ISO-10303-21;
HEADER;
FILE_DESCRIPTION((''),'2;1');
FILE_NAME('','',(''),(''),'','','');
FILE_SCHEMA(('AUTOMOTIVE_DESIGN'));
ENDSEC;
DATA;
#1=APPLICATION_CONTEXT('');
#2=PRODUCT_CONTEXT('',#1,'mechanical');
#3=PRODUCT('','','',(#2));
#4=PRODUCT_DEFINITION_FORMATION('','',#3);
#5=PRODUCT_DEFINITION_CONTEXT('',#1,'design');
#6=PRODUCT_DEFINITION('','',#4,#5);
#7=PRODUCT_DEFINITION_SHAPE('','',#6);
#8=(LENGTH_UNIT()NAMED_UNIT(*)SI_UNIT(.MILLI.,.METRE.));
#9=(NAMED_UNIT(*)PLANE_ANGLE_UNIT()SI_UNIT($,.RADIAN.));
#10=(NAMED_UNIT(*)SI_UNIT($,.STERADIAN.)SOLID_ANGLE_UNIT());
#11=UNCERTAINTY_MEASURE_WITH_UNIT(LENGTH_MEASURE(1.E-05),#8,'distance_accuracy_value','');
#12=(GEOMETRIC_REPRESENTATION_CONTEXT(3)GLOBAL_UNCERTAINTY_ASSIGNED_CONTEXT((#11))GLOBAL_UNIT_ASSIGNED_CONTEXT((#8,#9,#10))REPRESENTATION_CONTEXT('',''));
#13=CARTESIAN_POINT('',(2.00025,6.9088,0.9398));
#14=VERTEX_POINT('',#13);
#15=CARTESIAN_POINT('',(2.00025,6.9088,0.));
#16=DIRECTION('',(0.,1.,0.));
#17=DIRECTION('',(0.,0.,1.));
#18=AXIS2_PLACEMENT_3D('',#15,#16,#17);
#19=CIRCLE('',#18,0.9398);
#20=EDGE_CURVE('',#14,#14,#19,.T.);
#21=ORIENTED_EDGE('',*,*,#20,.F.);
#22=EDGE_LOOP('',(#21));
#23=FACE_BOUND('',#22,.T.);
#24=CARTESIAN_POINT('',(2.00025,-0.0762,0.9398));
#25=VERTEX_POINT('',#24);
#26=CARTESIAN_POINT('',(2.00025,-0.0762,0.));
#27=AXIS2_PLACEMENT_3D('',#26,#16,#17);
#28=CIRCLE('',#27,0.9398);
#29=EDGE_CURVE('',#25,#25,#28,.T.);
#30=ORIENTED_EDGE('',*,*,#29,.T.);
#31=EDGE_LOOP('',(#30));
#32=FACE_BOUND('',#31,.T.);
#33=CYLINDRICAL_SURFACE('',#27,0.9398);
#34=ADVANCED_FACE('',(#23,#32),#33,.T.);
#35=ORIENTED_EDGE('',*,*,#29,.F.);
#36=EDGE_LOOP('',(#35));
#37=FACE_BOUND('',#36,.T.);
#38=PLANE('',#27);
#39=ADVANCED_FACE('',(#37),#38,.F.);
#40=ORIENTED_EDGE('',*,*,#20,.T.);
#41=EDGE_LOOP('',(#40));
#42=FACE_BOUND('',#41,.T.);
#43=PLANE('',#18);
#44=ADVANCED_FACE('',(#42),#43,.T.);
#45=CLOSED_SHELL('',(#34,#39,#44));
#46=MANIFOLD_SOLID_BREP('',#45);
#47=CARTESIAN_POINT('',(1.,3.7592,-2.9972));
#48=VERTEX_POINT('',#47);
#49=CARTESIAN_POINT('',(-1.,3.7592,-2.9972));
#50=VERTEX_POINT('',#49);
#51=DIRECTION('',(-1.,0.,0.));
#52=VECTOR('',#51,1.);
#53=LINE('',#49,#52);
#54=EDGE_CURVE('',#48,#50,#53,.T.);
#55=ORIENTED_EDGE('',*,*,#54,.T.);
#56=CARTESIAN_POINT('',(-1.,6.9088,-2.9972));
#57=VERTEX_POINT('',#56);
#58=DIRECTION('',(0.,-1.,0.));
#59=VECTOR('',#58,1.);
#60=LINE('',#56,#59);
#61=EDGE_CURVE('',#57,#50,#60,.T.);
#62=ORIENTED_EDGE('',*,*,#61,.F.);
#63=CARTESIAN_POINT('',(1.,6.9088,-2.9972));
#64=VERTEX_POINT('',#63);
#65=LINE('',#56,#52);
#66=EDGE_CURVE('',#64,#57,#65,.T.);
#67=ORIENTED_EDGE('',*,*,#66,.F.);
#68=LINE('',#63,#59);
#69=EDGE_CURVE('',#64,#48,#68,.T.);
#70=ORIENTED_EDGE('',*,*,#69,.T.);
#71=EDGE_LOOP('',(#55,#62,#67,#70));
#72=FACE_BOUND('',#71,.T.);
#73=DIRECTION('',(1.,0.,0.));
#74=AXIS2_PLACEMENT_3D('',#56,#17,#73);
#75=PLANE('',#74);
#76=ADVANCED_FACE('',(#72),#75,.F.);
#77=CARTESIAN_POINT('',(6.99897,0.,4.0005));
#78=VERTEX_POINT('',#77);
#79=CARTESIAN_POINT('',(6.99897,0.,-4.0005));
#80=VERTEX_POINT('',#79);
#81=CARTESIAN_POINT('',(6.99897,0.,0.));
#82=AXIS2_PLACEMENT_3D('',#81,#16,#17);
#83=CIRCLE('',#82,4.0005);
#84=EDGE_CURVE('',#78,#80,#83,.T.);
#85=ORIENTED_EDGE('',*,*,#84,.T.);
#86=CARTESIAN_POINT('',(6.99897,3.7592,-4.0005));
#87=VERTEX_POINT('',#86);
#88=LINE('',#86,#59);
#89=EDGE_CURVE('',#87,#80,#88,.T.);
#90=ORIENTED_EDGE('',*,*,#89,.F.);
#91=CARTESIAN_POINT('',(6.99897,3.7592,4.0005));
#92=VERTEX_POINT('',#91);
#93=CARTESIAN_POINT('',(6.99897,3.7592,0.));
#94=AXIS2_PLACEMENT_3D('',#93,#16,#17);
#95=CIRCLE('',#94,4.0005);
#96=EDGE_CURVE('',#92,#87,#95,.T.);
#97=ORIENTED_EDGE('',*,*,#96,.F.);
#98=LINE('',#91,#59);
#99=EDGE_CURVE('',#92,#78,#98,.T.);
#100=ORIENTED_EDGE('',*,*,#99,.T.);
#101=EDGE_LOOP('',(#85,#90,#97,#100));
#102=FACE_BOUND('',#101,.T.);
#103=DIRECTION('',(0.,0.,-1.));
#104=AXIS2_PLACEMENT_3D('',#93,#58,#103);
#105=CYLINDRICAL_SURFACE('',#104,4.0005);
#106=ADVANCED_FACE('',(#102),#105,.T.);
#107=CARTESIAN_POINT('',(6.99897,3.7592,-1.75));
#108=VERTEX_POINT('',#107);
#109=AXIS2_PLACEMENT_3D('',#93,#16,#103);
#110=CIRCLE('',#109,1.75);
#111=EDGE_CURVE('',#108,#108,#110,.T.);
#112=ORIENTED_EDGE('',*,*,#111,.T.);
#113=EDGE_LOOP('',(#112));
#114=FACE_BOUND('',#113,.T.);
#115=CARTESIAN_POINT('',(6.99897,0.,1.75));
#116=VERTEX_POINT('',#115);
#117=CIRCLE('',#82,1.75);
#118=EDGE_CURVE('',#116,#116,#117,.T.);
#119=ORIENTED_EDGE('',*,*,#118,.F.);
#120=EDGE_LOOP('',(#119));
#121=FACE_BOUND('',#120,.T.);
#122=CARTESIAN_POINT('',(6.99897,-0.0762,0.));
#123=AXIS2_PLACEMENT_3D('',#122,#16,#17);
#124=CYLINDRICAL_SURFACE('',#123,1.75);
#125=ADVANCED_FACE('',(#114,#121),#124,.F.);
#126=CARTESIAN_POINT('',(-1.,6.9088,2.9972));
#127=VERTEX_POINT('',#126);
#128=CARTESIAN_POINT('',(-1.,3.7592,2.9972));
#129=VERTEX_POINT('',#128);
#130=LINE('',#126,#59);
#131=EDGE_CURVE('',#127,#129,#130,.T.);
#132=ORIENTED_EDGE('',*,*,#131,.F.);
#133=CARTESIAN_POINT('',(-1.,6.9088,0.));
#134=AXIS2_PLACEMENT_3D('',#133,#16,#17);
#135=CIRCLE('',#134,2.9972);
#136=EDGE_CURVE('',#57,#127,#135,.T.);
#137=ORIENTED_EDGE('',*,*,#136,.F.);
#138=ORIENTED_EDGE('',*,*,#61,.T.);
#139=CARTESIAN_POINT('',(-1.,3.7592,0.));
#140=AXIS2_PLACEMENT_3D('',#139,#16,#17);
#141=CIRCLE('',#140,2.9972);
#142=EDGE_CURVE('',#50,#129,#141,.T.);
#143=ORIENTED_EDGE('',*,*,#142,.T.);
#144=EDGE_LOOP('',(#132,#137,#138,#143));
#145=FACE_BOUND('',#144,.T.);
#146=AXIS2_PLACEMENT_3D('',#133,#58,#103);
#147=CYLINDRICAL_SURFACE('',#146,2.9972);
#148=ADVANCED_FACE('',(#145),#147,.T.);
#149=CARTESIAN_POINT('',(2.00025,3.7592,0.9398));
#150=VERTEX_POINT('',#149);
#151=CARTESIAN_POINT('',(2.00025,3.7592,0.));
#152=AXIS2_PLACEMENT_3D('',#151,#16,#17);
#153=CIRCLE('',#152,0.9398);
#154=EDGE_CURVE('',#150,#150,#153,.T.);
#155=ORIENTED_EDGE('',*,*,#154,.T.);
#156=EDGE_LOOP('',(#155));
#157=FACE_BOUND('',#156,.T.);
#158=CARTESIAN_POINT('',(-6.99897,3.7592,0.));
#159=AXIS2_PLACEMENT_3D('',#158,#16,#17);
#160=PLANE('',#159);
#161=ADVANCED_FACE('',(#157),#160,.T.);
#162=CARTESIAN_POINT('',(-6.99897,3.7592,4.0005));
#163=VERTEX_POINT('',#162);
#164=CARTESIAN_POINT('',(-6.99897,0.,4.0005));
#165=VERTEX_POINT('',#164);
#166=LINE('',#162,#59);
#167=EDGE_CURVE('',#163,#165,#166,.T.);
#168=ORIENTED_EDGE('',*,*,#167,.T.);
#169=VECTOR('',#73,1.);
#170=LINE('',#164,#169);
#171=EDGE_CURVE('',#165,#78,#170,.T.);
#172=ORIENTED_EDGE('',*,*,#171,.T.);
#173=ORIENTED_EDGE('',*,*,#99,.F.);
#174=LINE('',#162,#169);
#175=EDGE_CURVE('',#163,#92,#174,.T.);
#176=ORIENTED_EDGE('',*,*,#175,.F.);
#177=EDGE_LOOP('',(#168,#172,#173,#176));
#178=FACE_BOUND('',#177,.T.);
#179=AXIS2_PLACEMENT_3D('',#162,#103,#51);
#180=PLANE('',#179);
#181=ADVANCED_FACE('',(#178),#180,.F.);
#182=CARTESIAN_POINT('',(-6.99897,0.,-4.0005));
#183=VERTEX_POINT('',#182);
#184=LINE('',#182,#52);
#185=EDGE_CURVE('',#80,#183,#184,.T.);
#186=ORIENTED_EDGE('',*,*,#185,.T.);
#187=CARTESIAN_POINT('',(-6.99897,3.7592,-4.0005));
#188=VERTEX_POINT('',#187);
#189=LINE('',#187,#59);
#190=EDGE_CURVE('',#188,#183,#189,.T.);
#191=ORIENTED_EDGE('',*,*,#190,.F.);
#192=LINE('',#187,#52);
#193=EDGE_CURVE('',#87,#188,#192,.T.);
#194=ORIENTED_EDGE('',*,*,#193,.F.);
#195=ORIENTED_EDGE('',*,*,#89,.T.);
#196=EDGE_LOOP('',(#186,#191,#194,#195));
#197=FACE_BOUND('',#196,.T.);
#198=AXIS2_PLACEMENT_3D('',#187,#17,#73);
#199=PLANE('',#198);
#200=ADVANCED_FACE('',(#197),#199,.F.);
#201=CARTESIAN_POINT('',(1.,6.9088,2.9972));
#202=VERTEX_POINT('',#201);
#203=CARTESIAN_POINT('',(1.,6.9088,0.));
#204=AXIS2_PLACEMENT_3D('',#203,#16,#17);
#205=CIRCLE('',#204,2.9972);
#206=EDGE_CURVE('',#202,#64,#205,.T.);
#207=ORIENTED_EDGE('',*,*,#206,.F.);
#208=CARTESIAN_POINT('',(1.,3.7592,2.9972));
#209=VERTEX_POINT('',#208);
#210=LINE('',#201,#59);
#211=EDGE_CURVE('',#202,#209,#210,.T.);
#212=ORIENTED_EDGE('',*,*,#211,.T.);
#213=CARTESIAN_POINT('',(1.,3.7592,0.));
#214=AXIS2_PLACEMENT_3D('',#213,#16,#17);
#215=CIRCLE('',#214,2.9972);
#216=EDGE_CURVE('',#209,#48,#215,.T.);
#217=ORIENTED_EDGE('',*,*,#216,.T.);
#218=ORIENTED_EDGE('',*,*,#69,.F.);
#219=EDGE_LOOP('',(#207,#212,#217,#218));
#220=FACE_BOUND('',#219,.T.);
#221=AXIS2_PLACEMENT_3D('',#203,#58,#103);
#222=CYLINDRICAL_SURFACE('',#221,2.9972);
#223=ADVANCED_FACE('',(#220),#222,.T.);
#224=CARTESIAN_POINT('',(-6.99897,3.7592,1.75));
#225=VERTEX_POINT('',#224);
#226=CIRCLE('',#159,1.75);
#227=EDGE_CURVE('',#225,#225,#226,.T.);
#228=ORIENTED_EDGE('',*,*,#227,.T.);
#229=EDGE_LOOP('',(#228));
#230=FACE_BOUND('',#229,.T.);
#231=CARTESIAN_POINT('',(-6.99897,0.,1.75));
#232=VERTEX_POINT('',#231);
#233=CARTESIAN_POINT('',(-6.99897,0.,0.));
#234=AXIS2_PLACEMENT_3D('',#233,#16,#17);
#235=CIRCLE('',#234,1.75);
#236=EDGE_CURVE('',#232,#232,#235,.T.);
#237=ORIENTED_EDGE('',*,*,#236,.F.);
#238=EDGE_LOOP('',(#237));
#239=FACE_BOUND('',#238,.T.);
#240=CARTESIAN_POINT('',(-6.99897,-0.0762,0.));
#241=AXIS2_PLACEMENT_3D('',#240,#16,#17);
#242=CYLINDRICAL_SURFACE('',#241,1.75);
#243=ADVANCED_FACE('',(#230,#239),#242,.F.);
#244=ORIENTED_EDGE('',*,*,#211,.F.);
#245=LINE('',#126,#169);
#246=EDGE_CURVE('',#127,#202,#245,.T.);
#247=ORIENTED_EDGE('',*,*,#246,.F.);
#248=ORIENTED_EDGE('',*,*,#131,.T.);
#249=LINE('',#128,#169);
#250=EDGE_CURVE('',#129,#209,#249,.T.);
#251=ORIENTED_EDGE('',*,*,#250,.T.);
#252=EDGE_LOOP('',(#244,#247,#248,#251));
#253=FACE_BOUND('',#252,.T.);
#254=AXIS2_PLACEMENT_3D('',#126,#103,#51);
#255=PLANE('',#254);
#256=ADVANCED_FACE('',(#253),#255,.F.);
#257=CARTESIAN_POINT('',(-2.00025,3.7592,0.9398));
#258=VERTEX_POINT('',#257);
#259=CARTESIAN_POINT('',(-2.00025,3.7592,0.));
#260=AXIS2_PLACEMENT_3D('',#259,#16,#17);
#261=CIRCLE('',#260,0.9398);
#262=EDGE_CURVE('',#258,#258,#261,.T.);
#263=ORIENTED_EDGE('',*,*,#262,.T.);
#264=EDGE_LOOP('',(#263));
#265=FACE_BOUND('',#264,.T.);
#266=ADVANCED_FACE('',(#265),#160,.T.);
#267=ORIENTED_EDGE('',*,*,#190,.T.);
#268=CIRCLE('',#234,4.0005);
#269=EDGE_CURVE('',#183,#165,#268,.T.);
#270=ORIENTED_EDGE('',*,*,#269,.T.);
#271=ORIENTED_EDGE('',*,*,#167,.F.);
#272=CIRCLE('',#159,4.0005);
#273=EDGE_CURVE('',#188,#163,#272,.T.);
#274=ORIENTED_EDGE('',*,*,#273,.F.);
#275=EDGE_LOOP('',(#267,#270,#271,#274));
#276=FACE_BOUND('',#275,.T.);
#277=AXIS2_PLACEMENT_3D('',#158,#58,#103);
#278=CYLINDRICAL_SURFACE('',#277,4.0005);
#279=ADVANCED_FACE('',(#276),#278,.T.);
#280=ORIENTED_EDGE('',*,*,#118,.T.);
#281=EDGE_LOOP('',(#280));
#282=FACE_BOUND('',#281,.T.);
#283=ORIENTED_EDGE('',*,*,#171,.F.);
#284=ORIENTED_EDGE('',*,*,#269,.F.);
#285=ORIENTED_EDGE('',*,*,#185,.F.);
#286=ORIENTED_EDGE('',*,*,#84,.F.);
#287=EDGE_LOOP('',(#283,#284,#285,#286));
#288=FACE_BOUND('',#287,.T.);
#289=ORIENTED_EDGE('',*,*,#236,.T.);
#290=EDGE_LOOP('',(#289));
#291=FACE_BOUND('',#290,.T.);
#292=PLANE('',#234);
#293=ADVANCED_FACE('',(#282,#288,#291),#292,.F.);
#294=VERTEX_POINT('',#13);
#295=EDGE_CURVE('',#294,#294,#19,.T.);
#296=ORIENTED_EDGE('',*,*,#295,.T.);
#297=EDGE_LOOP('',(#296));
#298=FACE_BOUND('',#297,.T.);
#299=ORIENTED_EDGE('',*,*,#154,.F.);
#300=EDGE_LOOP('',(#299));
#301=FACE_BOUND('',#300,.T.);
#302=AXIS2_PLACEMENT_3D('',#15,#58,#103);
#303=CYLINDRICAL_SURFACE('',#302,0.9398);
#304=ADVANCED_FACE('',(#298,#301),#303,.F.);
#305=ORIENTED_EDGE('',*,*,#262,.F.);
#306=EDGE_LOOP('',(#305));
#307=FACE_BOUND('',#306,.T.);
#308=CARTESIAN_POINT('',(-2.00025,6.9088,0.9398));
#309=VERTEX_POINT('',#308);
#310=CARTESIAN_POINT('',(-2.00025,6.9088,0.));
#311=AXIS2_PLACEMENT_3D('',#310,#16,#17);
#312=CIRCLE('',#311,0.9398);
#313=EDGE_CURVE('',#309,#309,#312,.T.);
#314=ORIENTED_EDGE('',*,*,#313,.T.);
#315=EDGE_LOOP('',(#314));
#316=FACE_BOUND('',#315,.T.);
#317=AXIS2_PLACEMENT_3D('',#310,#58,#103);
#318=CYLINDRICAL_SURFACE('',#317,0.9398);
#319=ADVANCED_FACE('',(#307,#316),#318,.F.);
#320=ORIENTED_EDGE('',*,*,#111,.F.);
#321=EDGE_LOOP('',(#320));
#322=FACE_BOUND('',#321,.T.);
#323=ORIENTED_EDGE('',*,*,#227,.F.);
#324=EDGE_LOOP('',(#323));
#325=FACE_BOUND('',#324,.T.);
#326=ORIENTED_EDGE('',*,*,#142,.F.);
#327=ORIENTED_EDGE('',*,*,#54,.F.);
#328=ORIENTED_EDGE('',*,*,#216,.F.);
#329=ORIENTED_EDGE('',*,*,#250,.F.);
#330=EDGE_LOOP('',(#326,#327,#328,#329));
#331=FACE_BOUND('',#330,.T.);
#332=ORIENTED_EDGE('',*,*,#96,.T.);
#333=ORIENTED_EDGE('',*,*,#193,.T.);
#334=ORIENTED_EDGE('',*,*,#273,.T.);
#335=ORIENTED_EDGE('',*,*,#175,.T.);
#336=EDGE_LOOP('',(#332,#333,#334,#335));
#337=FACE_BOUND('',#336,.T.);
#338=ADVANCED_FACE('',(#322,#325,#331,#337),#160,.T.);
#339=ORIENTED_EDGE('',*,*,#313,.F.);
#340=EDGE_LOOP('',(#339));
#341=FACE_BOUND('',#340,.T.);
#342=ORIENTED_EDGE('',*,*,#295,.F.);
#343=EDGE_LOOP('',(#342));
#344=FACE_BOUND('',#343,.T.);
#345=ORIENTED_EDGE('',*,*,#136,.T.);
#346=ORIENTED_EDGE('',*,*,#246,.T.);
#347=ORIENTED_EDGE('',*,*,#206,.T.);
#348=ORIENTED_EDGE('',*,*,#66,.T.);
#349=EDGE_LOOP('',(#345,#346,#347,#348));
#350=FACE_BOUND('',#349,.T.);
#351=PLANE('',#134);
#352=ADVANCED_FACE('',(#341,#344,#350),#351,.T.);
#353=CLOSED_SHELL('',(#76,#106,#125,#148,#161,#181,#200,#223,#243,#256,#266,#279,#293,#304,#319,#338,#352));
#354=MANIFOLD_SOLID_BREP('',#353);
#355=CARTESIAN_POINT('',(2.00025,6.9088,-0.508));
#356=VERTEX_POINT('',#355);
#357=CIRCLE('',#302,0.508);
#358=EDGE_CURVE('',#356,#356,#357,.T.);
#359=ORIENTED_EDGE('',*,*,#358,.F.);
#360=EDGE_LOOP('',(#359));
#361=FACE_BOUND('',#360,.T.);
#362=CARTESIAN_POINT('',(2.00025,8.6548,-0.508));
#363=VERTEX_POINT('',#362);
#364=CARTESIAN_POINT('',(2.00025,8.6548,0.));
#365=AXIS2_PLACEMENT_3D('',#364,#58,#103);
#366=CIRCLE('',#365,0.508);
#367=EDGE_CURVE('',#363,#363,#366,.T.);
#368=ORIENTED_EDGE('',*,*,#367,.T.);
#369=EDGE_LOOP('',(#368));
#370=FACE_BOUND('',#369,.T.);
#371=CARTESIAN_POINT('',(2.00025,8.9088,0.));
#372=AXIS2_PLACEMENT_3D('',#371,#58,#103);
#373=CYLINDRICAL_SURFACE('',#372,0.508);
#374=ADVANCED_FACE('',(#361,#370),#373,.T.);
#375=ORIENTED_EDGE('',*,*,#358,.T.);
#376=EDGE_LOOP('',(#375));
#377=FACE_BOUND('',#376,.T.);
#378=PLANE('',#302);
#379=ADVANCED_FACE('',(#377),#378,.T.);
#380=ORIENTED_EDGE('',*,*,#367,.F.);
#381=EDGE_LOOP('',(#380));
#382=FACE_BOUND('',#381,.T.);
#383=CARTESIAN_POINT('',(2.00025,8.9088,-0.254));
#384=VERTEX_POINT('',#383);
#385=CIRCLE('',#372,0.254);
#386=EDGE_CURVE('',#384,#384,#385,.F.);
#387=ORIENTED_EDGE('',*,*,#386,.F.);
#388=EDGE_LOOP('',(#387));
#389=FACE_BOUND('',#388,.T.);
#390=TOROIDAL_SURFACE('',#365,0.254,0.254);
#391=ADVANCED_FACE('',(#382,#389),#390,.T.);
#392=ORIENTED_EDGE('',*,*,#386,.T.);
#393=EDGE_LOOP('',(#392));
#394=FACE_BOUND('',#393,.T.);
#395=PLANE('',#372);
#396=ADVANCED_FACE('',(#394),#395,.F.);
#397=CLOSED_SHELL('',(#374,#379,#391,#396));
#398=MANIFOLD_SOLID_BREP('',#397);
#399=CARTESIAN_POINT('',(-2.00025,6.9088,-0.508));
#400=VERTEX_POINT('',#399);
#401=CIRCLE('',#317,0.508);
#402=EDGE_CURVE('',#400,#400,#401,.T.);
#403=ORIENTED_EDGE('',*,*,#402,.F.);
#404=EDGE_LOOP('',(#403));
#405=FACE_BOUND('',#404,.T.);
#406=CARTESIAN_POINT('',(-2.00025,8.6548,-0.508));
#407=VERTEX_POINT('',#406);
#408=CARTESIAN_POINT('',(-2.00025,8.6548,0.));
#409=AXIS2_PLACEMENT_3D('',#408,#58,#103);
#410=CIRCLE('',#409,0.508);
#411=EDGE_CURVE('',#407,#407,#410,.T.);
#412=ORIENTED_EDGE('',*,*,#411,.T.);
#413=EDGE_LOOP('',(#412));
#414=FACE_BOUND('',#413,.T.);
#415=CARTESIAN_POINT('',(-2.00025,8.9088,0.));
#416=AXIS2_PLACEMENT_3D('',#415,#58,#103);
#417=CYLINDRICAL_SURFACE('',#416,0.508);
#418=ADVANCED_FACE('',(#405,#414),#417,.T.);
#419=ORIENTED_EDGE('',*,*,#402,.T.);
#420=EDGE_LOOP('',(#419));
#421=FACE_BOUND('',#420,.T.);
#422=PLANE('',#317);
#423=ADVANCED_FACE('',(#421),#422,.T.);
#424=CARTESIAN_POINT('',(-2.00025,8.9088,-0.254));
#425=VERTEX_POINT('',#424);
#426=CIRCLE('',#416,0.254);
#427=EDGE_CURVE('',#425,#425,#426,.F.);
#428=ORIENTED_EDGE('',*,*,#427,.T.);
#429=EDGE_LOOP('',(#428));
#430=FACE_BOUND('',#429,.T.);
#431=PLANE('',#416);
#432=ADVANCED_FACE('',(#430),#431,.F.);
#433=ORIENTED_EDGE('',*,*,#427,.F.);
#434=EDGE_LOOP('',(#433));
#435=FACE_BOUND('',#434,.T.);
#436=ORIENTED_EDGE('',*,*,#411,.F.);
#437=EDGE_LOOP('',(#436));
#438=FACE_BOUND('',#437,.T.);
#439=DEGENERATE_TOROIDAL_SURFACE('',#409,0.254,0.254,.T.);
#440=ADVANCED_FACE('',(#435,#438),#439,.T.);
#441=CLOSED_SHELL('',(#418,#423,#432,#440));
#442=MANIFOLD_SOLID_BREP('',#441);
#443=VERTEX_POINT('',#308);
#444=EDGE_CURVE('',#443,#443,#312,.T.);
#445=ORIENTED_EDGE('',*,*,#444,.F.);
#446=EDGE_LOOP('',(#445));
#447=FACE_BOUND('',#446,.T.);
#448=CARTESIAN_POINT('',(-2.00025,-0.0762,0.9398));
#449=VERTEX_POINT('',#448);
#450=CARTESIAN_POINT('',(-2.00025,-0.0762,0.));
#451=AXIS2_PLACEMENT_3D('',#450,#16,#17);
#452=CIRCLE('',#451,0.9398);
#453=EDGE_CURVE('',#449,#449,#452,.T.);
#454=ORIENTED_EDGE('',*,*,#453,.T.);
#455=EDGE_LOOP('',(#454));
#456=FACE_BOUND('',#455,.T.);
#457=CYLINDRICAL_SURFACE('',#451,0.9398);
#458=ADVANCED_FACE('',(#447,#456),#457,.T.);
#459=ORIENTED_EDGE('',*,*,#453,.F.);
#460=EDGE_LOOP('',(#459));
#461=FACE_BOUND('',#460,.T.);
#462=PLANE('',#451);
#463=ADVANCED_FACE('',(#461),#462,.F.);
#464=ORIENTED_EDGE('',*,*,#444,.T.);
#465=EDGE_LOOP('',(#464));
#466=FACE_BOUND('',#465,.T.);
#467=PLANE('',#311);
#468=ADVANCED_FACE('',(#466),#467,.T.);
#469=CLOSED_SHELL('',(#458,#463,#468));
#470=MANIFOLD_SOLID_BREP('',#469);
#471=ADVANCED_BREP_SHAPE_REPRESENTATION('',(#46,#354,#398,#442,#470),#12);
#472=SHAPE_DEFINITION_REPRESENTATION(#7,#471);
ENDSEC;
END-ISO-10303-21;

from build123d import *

# Parameters (mm, degrees)
BOSS_EXTRUDE1_DEPTH   = 3.7592
SKETCH2_R             = 0.9398
BOSS_EXTRUDE2_DEPTH   = 3.1496
SKETCH3_R             = 0.9398
BOSS_EXTRUDE3_DEPTH   = 6.985
BOSS_EXTRUDE3_2_DEPTH = 6.985
SKETCH4_R             = 0.508
BOSS_EXTRUDE4_DEPTH   = 2
BOSS_EXTRUDE4_2_DEPTH = 2
FILLET1_R             = 0.254
FILLET2_R             = 0.254
SKETCH5_R             = 1.75
CUT_EXTRUDE1_DEPTH    = 4.8354


with BuildPart() as part:
    # Sketch1 → Boss-Extrude1 (new body)
    with BuildSketch(Plane(origin=(0, 0, 0), x_dir=(1, 0, 0), z_dir=(0, 1, 0))):
        with BuildLine():
            Line((-6.99897, 4.0005), (6.99897, 4.0005))
            ThreePointArc((6.99897, 4.0005), (10.99947, 0), (6.99897, -4.0005))
            Line((6.99897, -4.0005), (-6.99897, -4.0005))
            ThreePointArc((-6.99897, -4.0005), (-10.99947, 0), (-6.99897, 4.0005))
        make_face()
    extrude(amount=BOSS_EXTRUDE1_DEPTH)

    # Sketch2 → Boss-Extrude2 (add)
    with BuildSketch(Plane(origin=(0, 3.7592, 0), x_dir=(1, 0, 0), z_dir=(0, 1, 0))):
        with BuildLine():
            Line((-1, 2.9972), (1, 2.9972))
            ThreePointArc((1, 2.9972), (3.9972, 0), (1, -2.9972))
            Line((1, -2.9972), (-1, -2.9972))
            ThreePointArc((-1, -2.9972), (-3.9972, 0), (-1, 2.9972))
        make_face()
        with Locations((-2.00025, 0)):
            Circle(SKETCH2_R, mode=Mode.SUBTRACT)
        with Locations((2.00025, 0)):
            Circle(SKETCH2_R, mode=Mode.SUBTRACT)
    extrude(amount=BOSS_EXTRUDE2_DEPTH)

    # Sketch5 → Cut-Extrude1 (cut, through all)
    with BuildSketch(Plane(origin=(0, 3.7592, 0), x_dir=(1, 0, 0), z_dir=(0, 1, 0))):
        with Locations((-6.99897, 0)):
            Circle(SKETCH5_R)
        with Locations((6.99897, 0)):
            Circle(SKETCH5_R)
    extrude(amount=-CUT_EXTRUDE1_DEPTH, mode=Mode.SUBTRACT)


with BuildPart() as body_2:
    # Sketch3 → Boss-Extrude3 (new body)
    with BuildSketch(Plane(origin=(0, 6.9088, 0), x_dir=(1, 0, 0), z_dir=(0, 1, 0))):
        with Locations((-2.00025, 0)):
            Circle(SKETCH3_R)
    extrude(amount=-BOSS_EXTRUDE3_DEPTH)


with BuildPart() as body_3:
    # Sketch3 → Boss-Extrude3 2 (new body)
    with BuildSketch(Plane(origin=(0, 6.9088, 0), x_dir=(1, 0, 0), z_dir=(0, 1, 0))):
        with Locations((2.00025, 0)):
            Circle(SKETCH3_R)
    extrude(amount=-BOSS_EXTRUDE3_2_DEPTH)


with BuildPart() as body_4:
    # Sketch4 → Boss-Extrude4 (new body)
    with BuildSketch(Plane.XZ.offset(-6.9088)):
        with Locations((-2.00025, 0)):
            Circle(SKETCH4_R)
    extrude(amount=-BOSS_EXTRUDE4_DEPTH)

    # Fillet1
    fillet1_edges = [body_4.edges().sort_by_distance(p)[0] for p in [
        (-2.50825, 8.9088, 0),
    ]]
    fillet(fillet1_edges, radius=FILLET1_R)


with BuildPart() as body_5:
    # Sketch4 → Boss-Extrude4 2 (new body)
    with BuildSketch(Plane.XZ.offset(-6.9088)):
        with Locations((2.00025, 0)):
            Circle(SKETCH4_R)
    extrude(amount=-BOSS_EXTRUDE4_2_DEPTH)

    # Fillet2
    fillet2_edges = [body_5.edges().sort_by_distance(p)[0] for p in [
        (1.49225, 8.9088, 0),
    ]]
    fillet(fillet2_edges, radius=FILLET2_R)


solid = Compound([part.part, body_2.part, body_3.part, body_4.part, body_5.part])
